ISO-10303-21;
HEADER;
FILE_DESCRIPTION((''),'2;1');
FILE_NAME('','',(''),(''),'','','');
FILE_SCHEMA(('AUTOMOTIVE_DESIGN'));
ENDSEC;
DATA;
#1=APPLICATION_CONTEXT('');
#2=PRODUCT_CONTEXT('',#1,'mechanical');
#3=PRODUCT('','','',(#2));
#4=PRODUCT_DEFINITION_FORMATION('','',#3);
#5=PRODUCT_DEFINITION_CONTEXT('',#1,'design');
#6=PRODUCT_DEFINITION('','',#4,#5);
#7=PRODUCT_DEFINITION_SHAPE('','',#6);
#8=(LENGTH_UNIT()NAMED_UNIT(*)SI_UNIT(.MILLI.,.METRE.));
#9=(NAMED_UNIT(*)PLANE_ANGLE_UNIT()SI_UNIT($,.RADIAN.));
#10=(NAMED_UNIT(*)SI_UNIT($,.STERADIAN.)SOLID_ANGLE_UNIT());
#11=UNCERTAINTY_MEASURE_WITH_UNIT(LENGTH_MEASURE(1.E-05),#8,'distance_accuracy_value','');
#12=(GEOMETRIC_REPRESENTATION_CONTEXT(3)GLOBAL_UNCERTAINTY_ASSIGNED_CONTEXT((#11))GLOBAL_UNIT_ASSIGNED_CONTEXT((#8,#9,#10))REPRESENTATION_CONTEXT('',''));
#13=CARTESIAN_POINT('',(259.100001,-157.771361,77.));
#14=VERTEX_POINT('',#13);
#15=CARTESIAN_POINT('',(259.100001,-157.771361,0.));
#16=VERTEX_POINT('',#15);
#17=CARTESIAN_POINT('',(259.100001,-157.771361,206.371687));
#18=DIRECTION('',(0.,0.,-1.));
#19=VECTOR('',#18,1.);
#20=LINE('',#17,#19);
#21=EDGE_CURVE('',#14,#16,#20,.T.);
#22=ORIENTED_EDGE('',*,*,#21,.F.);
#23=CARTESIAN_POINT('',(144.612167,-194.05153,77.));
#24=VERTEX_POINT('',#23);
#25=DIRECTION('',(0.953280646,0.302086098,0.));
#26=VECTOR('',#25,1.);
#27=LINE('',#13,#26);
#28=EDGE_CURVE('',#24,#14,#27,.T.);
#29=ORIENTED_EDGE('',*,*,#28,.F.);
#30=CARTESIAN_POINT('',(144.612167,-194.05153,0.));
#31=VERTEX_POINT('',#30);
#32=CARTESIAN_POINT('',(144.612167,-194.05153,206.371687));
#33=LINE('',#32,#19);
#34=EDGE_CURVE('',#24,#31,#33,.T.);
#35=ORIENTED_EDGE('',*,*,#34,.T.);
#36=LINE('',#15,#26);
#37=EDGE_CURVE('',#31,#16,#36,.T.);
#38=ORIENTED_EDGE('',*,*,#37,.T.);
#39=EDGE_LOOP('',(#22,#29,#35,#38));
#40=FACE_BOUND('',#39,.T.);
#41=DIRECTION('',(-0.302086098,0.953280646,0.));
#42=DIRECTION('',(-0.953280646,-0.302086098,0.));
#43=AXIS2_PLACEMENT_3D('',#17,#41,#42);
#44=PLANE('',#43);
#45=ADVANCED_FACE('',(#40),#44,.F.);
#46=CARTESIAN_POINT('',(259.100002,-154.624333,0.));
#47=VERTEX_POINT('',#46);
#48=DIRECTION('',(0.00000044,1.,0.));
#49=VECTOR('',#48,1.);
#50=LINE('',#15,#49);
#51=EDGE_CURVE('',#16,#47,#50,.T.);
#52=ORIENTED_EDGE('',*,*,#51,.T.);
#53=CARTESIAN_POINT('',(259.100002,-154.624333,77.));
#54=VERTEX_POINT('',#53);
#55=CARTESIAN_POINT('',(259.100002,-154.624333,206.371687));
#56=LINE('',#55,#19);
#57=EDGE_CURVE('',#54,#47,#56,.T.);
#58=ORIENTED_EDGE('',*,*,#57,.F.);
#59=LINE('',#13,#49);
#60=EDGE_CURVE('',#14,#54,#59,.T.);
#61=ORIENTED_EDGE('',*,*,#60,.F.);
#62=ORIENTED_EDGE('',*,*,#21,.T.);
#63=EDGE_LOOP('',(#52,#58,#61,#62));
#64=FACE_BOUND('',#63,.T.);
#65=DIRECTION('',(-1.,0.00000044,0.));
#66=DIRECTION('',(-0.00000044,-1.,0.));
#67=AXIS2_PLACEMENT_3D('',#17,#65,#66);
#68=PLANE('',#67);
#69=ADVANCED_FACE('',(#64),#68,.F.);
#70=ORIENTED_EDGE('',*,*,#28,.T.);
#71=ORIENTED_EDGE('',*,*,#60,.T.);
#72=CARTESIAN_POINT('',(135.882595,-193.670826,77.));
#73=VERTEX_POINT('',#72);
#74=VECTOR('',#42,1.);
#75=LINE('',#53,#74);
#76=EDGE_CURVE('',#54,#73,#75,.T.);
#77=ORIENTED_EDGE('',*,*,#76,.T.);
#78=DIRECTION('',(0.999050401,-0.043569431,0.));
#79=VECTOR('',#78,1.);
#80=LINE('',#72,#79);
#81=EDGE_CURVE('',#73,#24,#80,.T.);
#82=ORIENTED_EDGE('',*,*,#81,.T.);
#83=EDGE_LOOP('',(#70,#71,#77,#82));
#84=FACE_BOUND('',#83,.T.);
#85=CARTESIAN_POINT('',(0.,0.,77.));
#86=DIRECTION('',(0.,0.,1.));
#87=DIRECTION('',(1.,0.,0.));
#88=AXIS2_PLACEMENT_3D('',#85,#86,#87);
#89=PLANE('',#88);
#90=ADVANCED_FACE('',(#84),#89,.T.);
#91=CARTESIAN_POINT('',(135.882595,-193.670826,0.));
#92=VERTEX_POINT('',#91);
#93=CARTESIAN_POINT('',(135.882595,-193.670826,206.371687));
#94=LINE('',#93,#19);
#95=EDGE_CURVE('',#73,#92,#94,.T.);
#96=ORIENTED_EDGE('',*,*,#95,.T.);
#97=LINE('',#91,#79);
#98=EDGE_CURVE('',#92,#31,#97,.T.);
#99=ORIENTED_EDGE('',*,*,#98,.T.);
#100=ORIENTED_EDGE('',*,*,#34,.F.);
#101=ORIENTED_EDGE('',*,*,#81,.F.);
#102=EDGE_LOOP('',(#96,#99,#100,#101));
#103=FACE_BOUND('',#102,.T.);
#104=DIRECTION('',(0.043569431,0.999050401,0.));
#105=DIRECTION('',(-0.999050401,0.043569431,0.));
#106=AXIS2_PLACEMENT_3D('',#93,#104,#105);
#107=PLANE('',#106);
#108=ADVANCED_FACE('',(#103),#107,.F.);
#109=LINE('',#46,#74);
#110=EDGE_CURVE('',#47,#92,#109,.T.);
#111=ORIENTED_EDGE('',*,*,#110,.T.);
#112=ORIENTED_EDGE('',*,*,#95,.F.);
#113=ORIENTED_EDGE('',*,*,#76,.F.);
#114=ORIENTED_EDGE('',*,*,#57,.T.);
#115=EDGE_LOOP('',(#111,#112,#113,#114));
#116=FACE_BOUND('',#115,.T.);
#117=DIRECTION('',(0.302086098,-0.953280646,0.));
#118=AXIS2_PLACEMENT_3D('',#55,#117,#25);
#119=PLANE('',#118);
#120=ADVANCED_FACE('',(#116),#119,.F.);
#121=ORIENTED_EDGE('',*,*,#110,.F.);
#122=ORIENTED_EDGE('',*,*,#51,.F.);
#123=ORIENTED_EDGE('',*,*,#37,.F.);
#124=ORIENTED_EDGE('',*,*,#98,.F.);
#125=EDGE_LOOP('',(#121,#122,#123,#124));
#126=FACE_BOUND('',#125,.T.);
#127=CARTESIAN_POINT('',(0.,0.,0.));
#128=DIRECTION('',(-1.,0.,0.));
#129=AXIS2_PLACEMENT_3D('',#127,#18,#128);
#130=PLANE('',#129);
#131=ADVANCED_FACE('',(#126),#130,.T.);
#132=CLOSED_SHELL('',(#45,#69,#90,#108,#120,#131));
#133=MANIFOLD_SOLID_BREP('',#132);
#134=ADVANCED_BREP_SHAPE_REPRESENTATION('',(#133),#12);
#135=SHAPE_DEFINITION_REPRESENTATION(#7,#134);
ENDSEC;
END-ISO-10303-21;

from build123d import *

# Parameters (mm, degrees)
BOSS_EXTRUDE1_DEPTH = 77


with BuildPart() as part:
    # Sketch2 → Boss-Extrude1 (new body)
    with BuildSketch(Plane.XY):
        Polygon((259.100000983, -157.771360612), (259.100002368, -154.6243331), (135.882594954, -193.670825903), (144.612166652, -194.051529893), align=None)
    extrude(amount=BOSS_EXTRUDE1_DEPTH)


solid = part.part
